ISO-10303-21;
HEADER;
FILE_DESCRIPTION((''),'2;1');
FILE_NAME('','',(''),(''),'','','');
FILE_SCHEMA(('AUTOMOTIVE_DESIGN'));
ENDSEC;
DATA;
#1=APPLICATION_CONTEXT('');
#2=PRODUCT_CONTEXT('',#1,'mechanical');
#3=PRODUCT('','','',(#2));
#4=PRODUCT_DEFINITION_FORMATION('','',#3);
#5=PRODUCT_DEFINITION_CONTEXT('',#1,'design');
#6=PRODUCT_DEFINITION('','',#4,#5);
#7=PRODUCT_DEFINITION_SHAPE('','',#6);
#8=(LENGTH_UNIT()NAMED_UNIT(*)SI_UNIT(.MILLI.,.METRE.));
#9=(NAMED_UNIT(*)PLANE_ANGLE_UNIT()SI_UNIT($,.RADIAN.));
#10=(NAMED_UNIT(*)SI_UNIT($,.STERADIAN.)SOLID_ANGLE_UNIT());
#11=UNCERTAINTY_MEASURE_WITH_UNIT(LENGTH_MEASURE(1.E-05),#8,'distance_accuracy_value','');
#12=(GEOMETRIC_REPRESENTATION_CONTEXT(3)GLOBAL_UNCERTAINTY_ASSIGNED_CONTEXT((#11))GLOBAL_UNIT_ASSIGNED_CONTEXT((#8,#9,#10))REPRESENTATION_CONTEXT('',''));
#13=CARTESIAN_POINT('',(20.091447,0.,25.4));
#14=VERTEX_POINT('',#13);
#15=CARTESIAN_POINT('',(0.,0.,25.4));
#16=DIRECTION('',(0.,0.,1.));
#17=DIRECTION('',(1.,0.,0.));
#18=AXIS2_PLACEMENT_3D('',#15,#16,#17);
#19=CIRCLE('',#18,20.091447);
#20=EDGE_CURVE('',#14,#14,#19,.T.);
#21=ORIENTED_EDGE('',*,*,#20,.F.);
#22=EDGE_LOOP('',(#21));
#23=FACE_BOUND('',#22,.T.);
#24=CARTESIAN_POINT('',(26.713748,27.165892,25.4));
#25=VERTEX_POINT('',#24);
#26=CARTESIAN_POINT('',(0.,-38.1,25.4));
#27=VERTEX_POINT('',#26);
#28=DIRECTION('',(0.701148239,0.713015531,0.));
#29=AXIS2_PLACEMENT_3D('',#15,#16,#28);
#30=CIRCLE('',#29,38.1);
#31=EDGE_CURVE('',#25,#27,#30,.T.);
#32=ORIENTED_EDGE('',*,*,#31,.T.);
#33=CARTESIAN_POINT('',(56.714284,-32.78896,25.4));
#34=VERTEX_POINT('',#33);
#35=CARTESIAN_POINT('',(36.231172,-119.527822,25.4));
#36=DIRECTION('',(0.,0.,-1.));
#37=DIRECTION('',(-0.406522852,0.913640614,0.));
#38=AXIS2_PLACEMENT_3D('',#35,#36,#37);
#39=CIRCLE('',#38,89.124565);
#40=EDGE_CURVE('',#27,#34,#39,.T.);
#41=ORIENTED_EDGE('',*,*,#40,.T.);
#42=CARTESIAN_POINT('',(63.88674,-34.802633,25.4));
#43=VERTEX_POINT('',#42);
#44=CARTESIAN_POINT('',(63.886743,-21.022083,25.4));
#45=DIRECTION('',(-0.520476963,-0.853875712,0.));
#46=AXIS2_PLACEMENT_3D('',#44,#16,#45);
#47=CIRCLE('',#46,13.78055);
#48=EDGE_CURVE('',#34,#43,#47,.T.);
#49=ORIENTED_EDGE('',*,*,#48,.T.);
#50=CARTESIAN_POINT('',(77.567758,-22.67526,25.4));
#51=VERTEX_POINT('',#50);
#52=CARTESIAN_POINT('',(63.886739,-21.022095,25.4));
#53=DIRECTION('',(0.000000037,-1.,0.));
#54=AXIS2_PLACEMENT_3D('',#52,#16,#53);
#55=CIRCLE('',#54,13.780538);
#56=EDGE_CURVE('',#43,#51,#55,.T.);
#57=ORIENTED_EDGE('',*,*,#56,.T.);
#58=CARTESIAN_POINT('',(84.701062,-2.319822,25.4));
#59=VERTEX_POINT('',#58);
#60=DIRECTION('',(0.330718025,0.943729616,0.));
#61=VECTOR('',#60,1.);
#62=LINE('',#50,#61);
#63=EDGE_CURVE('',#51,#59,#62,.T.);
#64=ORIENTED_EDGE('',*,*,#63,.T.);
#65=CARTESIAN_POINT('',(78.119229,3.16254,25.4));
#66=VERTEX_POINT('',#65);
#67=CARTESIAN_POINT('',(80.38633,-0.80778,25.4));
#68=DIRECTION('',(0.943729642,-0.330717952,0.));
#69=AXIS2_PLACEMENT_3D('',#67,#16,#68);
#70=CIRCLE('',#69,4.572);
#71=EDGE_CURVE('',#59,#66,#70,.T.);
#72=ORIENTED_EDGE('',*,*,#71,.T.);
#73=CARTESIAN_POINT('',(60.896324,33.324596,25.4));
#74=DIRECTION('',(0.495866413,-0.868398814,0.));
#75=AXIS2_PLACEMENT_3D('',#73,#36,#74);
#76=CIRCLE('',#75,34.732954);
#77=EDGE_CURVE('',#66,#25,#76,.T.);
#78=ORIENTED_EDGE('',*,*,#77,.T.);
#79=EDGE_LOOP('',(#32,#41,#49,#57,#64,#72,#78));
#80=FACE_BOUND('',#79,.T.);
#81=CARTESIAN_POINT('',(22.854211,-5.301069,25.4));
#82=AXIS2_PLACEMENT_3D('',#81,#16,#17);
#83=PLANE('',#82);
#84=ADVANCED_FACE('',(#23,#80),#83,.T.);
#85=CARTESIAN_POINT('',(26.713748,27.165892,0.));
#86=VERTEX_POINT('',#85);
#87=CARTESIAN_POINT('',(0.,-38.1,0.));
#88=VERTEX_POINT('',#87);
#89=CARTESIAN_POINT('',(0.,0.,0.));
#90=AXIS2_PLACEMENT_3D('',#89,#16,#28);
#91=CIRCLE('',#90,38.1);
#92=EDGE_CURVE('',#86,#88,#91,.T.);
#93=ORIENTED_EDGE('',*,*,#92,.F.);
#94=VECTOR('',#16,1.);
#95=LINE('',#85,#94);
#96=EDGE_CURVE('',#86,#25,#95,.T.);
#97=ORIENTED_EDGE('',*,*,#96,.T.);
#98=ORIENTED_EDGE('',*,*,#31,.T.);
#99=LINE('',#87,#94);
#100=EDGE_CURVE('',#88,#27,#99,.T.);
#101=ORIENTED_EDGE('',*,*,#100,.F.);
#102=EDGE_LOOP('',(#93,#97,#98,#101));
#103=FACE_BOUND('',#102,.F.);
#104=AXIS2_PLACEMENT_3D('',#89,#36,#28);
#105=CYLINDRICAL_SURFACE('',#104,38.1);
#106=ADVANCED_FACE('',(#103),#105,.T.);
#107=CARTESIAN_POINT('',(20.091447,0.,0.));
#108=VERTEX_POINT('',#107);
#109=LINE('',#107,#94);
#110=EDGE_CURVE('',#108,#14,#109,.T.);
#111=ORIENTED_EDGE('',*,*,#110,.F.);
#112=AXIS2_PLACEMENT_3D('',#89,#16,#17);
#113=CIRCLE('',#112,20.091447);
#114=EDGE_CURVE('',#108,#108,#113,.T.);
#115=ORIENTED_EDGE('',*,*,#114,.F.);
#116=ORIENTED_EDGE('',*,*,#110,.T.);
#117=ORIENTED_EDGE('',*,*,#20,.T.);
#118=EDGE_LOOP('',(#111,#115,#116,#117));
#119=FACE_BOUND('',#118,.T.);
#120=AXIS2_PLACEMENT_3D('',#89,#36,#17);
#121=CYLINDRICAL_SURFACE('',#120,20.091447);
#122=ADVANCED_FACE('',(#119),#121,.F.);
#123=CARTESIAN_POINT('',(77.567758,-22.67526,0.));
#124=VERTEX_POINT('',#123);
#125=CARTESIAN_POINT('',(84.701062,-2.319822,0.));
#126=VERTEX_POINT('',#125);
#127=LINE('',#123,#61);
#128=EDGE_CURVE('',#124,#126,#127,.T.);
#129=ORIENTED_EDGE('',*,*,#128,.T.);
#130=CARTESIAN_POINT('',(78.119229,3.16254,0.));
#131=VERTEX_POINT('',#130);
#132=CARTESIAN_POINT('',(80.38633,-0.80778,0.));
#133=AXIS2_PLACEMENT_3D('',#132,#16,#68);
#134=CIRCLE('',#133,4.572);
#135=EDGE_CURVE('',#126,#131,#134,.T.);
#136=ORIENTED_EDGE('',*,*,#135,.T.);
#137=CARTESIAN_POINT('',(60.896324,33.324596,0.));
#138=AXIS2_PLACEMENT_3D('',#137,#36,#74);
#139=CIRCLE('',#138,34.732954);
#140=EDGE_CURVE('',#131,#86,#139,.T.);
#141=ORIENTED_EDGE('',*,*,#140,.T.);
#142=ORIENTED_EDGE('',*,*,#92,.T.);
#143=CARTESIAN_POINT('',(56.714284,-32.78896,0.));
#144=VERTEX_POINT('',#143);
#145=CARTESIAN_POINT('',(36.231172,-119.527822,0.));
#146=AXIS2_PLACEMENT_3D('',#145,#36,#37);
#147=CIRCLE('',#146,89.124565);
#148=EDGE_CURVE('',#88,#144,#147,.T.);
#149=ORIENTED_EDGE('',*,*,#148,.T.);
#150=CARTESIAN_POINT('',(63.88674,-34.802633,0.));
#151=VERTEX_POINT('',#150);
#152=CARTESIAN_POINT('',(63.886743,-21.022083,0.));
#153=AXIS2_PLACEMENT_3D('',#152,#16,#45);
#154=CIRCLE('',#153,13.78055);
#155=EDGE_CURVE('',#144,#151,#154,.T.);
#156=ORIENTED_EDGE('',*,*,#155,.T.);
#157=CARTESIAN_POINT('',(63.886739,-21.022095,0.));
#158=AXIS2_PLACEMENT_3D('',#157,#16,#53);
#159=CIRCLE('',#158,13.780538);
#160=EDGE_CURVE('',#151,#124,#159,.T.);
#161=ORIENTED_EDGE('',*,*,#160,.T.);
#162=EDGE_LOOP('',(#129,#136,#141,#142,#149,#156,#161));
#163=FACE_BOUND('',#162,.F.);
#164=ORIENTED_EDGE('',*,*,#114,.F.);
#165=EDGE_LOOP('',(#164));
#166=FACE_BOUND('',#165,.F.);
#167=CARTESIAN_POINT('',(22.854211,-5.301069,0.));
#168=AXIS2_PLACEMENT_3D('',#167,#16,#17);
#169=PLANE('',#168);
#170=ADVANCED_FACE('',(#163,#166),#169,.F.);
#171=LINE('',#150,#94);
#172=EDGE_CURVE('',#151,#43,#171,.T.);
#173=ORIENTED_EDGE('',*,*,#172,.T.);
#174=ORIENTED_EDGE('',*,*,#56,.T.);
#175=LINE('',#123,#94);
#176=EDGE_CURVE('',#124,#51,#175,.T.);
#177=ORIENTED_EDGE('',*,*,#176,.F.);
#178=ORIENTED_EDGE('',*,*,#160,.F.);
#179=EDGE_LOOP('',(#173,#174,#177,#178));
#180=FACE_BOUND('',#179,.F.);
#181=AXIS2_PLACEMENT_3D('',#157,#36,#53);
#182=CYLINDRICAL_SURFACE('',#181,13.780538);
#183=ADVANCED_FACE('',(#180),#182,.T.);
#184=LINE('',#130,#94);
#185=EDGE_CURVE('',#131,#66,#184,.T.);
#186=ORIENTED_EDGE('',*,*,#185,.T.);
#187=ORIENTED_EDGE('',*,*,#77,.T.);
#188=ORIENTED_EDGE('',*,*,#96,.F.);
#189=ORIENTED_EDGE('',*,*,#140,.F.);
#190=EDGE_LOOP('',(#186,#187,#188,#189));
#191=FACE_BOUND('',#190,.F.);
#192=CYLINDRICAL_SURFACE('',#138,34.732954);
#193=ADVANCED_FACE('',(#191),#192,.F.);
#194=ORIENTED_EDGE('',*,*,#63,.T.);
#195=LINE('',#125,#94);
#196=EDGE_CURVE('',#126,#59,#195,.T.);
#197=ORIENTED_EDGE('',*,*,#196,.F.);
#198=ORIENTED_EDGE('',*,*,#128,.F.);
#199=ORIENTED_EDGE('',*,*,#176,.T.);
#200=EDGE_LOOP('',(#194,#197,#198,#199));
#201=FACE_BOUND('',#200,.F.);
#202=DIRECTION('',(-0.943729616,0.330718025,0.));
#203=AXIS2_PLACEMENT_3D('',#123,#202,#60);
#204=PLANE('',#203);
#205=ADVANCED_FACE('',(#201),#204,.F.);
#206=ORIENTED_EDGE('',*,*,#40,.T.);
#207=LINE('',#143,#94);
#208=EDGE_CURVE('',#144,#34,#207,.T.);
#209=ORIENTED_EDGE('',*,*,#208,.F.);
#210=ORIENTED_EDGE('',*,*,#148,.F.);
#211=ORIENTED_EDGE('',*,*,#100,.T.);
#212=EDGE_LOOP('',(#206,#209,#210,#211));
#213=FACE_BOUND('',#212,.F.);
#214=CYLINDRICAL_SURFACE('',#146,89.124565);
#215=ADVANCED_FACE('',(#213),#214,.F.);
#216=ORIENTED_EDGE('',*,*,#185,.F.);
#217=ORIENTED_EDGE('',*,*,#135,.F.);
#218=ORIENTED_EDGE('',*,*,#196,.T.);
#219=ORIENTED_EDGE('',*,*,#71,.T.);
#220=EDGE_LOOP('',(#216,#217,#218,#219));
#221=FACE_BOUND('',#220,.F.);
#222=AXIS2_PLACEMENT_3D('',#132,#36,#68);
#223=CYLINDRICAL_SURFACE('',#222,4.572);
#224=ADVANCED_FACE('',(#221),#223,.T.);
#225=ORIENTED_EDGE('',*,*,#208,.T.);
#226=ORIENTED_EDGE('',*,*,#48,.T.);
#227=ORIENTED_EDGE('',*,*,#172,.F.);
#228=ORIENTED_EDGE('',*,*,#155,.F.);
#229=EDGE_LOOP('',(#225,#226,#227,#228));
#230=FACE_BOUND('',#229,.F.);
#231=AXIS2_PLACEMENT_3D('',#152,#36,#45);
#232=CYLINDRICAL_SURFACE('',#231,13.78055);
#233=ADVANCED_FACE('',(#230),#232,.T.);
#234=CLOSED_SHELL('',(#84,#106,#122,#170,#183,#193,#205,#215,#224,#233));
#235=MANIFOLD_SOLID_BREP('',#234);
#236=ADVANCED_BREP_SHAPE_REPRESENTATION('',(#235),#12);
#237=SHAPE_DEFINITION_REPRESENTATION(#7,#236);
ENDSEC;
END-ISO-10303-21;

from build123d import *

# Parameters (mm, degrees)
F0_R     = 20.091447
F1_DEPTH = 25.4


with BuildPart() as f1:
    # F0 (on Top) → F1 (new body)
    with BuildSketch(Plane.XY):
        with BuildLine():
            ThreePointArc((78.119229, 3.16254), (46.20116, 1.853494), (26.713748, 27.165892))
            ThreePointArc((26.713748, 27.165892), (-35.260676, 14.43242), (0, -38.1))
            ThreePointArc((0, -38.1), (27.921411, -30.791494), (56.714284, -32.78896))
            ThreePointArc((56.714284, -32.78896), (60.321561, -33.720822), (63.88674, -34.802633))
            ThreePointArc((63.88674, -34.802633), (73.027903, -31.334338), (77.567758, -22.67526))
            Line((77.567758, -22.67526), (84.701062, -2.319822))
            ThreePointArc((84.701062, -2.319822), (83.312466, 2.705184), (78.119229, 3.16254))
        make_face()
        Circle(F0_R, mode=Mode.SUBTRACT)
        with BuildLine():
            ThreePointArc((63.88674, -34.802633), (60.321561, -33.720822), (56.714284, -32.78896))
            ThreePointArc((56.714284, -32.78896), (60.161857, -34.289667), (63.88674, -34.802633))
        make_face()
    extrude(amount=F1_DEPTH)


solid = f1.part
